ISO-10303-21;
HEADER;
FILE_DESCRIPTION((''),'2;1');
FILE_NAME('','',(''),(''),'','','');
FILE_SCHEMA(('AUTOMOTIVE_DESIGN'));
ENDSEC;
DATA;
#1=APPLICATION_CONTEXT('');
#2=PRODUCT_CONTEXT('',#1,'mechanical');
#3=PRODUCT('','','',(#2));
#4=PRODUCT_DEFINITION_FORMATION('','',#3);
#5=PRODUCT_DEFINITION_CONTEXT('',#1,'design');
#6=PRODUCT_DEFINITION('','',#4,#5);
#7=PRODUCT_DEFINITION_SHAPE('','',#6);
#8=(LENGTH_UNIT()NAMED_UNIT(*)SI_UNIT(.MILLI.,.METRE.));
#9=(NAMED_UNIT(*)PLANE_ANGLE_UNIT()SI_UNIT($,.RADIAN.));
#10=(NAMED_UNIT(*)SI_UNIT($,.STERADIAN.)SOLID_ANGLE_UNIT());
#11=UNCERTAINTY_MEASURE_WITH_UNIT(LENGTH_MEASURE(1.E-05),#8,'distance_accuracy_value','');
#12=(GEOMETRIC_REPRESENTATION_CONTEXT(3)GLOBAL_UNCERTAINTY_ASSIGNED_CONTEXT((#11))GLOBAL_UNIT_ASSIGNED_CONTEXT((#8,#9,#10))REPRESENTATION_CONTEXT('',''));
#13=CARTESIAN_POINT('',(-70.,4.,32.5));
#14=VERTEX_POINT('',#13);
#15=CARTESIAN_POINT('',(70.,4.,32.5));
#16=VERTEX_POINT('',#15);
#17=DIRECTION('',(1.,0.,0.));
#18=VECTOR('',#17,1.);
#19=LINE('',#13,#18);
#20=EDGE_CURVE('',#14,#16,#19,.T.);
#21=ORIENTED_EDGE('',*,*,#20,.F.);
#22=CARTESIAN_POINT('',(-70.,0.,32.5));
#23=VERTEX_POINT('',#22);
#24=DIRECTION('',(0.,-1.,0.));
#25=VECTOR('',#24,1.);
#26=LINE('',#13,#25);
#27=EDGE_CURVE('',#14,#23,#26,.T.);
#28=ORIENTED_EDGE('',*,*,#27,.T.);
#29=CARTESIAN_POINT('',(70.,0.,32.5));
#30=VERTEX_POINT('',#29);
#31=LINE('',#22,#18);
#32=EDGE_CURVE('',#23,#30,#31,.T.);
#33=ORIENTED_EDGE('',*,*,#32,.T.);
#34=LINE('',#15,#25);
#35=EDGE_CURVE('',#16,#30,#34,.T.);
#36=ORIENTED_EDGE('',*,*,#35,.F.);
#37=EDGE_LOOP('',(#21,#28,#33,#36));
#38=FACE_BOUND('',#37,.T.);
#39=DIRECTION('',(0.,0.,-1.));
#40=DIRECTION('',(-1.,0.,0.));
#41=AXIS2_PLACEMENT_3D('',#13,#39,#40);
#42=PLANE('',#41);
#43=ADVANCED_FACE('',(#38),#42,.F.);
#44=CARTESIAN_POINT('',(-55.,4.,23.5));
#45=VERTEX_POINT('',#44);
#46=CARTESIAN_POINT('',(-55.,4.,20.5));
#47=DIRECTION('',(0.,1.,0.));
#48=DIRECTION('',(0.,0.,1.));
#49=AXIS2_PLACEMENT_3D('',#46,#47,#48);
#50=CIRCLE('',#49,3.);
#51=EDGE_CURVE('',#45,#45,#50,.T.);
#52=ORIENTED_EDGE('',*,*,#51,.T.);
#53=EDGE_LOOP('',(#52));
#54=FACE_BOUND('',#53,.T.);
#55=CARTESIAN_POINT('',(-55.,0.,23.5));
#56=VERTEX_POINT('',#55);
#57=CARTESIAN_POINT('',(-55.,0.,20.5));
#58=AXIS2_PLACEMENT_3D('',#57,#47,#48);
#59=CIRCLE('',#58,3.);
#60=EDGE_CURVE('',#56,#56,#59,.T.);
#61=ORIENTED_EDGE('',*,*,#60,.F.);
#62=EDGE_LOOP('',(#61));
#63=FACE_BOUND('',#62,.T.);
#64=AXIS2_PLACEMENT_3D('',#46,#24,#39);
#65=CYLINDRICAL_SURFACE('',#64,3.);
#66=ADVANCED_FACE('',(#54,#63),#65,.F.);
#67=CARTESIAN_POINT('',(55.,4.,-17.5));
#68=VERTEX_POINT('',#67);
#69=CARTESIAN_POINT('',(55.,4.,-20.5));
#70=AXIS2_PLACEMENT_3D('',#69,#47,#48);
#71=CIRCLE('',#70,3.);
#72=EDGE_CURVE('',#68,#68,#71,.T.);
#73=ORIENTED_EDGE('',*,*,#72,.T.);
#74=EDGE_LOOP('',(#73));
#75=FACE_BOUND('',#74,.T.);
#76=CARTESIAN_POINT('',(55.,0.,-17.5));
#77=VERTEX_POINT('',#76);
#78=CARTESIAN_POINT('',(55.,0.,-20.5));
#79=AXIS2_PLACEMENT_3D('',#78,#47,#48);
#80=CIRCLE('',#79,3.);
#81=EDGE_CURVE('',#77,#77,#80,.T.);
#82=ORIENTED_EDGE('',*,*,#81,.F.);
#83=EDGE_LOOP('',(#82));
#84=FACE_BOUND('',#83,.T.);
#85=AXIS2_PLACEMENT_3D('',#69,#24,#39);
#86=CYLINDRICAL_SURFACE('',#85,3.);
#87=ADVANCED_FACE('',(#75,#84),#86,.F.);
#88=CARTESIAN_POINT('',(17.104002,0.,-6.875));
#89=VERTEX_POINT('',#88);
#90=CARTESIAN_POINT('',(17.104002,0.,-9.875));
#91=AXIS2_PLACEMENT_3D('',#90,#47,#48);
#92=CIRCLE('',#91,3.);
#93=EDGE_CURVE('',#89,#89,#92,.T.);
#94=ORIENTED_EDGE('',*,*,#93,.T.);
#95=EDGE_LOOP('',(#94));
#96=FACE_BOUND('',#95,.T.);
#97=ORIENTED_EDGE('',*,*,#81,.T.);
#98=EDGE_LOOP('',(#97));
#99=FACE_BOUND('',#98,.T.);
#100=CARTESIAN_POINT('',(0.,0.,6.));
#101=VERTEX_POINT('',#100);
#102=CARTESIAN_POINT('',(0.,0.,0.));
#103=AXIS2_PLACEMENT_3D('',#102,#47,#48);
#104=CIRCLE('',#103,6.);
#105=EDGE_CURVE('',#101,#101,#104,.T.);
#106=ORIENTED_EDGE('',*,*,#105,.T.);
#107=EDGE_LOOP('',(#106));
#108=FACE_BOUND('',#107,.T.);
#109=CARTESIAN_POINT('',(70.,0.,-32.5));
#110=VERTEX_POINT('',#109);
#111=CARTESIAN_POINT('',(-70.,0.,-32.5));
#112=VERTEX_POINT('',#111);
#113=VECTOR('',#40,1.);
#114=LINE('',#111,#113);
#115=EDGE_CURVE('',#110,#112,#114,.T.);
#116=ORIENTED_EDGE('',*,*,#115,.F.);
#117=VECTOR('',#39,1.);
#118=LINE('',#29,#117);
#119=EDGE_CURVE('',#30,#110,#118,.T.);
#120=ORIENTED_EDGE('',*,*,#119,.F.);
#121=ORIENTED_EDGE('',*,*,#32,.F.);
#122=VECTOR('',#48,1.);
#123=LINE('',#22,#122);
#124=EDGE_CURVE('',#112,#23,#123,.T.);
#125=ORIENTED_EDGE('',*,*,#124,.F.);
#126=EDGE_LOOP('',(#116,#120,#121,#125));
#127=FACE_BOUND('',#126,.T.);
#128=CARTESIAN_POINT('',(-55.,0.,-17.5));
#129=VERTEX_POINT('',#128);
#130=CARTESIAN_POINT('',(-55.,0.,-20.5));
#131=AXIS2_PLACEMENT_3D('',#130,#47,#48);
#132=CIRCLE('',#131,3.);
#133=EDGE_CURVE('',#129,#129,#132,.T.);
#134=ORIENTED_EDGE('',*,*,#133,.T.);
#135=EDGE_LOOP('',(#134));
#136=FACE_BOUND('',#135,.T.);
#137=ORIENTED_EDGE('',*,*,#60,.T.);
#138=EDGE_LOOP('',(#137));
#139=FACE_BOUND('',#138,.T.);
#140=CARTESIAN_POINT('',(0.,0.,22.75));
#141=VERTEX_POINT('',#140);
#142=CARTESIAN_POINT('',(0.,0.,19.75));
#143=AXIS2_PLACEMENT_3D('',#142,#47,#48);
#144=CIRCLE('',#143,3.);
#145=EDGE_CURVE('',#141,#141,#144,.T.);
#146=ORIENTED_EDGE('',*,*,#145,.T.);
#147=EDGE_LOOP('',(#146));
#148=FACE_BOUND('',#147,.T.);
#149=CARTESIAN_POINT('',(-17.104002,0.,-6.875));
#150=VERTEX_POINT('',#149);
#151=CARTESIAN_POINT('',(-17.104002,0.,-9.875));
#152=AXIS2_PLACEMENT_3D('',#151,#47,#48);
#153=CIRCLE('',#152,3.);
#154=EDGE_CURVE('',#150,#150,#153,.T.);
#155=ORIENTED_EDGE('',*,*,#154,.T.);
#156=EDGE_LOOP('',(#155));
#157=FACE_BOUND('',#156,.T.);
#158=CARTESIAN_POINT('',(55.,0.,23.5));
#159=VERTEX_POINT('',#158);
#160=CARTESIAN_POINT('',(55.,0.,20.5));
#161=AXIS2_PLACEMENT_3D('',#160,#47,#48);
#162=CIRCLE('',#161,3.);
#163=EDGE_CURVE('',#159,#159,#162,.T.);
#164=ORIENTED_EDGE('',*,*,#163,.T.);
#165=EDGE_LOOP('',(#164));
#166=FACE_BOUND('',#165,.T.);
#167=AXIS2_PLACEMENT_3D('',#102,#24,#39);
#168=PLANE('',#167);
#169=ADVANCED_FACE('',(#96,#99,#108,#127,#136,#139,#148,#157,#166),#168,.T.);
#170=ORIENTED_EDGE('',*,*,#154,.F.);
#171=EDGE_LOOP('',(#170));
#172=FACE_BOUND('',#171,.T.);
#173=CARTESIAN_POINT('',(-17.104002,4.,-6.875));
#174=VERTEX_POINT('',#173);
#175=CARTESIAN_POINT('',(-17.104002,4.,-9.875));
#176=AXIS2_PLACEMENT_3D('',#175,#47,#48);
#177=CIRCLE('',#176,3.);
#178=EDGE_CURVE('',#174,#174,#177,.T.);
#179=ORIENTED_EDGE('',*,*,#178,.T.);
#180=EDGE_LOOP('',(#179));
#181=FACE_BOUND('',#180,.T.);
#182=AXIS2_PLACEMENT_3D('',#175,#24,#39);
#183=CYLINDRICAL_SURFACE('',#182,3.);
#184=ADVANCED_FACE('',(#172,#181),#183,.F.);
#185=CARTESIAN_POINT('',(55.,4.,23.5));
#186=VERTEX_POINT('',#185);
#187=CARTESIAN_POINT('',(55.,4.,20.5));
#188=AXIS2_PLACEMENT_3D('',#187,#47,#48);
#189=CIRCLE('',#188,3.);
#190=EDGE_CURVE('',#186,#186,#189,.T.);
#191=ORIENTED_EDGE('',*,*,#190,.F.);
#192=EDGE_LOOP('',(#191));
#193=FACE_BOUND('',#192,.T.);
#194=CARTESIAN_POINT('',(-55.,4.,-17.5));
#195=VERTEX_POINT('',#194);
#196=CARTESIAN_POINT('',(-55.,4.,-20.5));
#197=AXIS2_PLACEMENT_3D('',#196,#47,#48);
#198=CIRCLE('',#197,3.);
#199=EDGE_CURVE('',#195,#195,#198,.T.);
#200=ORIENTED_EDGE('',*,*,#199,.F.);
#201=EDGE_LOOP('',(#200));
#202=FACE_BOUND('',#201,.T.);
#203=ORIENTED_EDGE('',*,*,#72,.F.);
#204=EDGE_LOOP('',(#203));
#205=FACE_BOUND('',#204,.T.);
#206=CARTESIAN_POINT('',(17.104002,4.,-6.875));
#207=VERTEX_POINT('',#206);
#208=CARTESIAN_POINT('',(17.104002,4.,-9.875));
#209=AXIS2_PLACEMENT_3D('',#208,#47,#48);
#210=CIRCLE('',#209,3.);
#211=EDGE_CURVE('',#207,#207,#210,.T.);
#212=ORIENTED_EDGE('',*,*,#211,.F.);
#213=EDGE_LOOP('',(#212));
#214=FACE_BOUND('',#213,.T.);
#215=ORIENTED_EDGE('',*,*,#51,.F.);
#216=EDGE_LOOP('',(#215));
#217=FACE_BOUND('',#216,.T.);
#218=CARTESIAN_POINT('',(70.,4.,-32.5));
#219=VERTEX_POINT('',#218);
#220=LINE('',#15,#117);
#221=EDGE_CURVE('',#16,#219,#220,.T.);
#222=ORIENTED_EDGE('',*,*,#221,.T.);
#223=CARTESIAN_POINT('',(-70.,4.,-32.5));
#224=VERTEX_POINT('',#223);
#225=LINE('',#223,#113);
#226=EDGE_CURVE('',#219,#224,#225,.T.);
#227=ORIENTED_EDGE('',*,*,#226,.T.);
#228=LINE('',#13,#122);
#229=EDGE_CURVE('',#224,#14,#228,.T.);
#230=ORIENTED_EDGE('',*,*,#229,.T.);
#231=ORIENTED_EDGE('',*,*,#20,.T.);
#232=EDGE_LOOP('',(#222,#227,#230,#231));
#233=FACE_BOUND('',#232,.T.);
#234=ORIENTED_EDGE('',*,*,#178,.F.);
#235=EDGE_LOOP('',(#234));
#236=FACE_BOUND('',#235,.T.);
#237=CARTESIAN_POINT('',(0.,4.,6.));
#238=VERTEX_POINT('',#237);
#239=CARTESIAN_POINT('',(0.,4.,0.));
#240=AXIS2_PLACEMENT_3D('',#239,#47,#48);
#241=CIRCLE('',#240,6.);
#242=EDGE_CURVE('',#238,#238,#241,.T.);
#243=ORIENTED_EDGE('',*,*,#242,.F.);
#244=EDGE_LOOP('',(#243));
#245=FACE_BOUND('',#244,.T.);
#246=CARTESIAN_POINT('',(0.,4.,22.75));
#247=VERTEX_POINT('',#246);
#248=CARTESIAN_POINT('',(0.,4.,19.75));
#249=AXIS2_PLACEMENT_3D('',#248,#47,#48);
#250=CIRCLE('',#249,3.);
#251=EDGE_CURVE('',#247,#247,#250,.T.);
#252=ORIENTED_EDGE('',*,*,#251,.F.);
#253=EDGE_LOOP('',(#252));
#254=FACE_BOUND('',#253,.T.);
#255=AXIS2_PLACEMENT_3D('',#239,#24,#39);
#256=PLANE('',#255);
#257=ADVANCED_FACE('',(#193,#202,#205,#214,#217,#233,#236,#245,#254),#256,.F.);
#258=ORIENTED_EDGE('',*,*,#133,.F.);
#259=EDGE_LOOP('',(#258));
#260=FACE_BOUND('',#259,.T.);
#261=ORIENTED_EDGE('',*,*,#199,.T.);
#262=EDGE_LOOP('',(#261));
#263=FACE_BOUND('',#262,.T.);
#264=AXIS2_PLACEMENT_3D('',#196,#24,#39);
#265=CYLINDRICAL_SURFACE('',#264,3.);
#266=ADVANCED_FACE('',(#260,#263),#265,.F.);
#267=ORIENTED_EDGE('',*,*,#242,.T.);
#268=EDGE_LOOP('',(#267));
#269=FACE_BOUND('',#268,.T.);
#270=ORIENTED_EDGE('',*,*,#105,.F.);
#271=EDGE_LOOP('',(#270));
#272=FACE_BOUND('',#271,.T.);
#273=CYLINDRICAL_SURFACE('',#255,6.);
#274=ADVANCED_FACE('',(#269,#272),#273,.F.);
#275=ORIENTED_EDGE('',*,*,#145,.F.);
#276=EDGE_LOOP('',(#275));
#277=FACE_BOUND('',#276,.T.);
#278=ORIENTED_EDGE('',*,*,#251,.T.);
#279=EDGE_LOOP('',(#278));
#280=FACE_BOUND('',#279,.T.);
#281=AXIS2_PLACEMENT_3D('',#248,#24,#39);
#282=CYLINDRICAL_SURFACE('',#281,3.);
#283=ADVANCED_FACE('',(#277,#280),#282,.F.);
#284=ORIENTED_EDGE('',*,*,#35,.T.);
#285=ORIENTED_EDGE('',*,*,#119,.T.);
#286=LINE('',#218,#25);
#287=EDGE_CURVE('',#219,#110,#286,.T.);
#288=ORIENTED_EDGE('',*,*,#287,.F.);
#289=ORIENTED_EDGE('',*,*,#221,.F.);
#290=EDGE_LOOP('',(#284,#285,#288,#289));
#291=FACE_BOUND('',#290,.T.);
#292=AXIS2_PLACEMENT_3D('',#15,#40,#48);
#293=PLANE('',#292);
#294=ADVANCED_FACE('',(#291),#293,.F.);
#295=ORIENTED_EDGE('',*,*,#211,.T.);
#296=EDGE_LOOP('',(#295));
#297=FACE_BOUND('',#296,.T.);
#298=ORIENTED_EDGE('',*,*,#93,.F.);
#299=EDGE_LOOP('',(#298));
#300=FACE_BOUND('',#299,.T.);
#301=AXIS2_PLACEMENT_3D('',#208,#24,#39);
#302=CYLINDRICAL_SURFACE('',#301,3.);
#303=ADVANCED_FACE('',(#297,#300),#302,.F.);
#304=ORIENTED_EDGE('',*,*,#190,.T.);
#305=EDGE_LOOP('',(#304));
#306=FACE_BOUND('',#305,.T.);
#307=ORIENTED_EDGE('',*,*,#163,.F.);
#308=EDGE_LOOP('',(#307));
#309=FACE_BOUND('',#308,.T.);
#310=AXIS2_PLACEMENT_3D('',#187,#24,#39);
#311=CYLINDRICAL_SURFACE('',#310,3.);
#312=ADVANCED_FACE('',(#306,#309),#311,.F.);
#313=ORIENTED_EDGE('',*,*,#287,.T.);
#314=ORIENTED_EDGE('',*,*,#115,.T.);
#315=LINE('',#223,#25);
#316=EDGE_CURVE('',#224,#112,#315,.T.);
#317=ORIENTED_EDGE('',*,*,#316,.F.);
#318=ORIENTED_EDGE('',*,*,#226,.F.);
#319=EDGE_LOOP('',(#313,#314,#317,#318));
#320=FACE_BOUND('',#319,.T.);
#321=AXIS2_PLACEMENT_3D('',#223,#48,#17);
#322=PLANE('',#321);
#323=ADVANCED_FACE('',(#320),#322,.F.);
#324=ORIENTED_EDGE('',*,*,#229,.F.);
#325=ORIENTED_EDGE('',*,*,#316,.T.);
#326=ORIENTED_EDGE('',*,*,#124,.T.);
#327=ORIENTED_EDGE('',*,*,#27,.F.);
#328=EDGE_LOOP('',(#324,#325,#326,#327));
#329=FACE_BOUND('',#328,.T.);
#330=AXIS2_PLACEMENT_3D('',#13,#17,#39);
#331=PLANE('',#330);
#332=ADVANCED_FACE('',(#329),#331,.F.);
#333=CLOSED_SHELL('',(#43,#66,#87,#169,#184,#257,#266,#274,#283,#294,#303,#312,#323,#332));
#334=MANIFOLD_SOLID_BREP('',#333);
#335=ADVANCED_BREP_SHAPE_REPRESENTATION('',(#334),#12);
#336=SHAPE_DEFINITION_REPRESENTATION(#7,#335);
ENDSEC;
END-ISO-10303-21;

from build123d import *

# Parameters (mm, degrees)
SKETCH1_W           = 140
SKETCH1_H           = 65
SKETCH1_R           = 6
SKETCH1_R_2         = 3
BOSS_EXTRUDE1_DEPTH = 4


with BuildPart() as part:
    # Sketch1 → Boss-Extrude1 (new body)
    with BuildSketch(Plane(origin=(0, 0, 0), x_dir=(1, 0, 0), z_dir=(0, 1, 0))):
        Rectangle(SKETCH1_W, SKETCH1_H)
        Circle(SKETCH1_R, mode=Mode.SUBTRACT)
        with Locations((0, -19.75)):
            Circle(SKETCH1_R_2, mode=Mode.SUBTRACT)
        with Locations((-17.104001725, 9.875)):
            Circle(SKETCH1_R_2, mode=Mode.SUBTRACT)
        with Locations((17.104001725, 9.875)):
            Circle(SKETCH1_R_2, mode=Mode.SUBTRACT)
        with Locations((-55, 20.5)):
            Circle(SKETCH1_R_2, mode=Mode.SUBTRACT)
        with Locations((-55, -20.5)):
            Circle(SKETCH1_R_2, mode=Mode.SUBTRACT)
        with Locations((55, 20.5)):
            Circle(SKETCH1_R_2, mode=Mode.SUBTRACT)
        with Locations((55, -20.5)):
            Circle(SKETCH1_R_2, mode=Mode.SUBTRACT)
    extrude(amount=BOSS_EXTRUDE1_DEPTH)


solid = part.part
